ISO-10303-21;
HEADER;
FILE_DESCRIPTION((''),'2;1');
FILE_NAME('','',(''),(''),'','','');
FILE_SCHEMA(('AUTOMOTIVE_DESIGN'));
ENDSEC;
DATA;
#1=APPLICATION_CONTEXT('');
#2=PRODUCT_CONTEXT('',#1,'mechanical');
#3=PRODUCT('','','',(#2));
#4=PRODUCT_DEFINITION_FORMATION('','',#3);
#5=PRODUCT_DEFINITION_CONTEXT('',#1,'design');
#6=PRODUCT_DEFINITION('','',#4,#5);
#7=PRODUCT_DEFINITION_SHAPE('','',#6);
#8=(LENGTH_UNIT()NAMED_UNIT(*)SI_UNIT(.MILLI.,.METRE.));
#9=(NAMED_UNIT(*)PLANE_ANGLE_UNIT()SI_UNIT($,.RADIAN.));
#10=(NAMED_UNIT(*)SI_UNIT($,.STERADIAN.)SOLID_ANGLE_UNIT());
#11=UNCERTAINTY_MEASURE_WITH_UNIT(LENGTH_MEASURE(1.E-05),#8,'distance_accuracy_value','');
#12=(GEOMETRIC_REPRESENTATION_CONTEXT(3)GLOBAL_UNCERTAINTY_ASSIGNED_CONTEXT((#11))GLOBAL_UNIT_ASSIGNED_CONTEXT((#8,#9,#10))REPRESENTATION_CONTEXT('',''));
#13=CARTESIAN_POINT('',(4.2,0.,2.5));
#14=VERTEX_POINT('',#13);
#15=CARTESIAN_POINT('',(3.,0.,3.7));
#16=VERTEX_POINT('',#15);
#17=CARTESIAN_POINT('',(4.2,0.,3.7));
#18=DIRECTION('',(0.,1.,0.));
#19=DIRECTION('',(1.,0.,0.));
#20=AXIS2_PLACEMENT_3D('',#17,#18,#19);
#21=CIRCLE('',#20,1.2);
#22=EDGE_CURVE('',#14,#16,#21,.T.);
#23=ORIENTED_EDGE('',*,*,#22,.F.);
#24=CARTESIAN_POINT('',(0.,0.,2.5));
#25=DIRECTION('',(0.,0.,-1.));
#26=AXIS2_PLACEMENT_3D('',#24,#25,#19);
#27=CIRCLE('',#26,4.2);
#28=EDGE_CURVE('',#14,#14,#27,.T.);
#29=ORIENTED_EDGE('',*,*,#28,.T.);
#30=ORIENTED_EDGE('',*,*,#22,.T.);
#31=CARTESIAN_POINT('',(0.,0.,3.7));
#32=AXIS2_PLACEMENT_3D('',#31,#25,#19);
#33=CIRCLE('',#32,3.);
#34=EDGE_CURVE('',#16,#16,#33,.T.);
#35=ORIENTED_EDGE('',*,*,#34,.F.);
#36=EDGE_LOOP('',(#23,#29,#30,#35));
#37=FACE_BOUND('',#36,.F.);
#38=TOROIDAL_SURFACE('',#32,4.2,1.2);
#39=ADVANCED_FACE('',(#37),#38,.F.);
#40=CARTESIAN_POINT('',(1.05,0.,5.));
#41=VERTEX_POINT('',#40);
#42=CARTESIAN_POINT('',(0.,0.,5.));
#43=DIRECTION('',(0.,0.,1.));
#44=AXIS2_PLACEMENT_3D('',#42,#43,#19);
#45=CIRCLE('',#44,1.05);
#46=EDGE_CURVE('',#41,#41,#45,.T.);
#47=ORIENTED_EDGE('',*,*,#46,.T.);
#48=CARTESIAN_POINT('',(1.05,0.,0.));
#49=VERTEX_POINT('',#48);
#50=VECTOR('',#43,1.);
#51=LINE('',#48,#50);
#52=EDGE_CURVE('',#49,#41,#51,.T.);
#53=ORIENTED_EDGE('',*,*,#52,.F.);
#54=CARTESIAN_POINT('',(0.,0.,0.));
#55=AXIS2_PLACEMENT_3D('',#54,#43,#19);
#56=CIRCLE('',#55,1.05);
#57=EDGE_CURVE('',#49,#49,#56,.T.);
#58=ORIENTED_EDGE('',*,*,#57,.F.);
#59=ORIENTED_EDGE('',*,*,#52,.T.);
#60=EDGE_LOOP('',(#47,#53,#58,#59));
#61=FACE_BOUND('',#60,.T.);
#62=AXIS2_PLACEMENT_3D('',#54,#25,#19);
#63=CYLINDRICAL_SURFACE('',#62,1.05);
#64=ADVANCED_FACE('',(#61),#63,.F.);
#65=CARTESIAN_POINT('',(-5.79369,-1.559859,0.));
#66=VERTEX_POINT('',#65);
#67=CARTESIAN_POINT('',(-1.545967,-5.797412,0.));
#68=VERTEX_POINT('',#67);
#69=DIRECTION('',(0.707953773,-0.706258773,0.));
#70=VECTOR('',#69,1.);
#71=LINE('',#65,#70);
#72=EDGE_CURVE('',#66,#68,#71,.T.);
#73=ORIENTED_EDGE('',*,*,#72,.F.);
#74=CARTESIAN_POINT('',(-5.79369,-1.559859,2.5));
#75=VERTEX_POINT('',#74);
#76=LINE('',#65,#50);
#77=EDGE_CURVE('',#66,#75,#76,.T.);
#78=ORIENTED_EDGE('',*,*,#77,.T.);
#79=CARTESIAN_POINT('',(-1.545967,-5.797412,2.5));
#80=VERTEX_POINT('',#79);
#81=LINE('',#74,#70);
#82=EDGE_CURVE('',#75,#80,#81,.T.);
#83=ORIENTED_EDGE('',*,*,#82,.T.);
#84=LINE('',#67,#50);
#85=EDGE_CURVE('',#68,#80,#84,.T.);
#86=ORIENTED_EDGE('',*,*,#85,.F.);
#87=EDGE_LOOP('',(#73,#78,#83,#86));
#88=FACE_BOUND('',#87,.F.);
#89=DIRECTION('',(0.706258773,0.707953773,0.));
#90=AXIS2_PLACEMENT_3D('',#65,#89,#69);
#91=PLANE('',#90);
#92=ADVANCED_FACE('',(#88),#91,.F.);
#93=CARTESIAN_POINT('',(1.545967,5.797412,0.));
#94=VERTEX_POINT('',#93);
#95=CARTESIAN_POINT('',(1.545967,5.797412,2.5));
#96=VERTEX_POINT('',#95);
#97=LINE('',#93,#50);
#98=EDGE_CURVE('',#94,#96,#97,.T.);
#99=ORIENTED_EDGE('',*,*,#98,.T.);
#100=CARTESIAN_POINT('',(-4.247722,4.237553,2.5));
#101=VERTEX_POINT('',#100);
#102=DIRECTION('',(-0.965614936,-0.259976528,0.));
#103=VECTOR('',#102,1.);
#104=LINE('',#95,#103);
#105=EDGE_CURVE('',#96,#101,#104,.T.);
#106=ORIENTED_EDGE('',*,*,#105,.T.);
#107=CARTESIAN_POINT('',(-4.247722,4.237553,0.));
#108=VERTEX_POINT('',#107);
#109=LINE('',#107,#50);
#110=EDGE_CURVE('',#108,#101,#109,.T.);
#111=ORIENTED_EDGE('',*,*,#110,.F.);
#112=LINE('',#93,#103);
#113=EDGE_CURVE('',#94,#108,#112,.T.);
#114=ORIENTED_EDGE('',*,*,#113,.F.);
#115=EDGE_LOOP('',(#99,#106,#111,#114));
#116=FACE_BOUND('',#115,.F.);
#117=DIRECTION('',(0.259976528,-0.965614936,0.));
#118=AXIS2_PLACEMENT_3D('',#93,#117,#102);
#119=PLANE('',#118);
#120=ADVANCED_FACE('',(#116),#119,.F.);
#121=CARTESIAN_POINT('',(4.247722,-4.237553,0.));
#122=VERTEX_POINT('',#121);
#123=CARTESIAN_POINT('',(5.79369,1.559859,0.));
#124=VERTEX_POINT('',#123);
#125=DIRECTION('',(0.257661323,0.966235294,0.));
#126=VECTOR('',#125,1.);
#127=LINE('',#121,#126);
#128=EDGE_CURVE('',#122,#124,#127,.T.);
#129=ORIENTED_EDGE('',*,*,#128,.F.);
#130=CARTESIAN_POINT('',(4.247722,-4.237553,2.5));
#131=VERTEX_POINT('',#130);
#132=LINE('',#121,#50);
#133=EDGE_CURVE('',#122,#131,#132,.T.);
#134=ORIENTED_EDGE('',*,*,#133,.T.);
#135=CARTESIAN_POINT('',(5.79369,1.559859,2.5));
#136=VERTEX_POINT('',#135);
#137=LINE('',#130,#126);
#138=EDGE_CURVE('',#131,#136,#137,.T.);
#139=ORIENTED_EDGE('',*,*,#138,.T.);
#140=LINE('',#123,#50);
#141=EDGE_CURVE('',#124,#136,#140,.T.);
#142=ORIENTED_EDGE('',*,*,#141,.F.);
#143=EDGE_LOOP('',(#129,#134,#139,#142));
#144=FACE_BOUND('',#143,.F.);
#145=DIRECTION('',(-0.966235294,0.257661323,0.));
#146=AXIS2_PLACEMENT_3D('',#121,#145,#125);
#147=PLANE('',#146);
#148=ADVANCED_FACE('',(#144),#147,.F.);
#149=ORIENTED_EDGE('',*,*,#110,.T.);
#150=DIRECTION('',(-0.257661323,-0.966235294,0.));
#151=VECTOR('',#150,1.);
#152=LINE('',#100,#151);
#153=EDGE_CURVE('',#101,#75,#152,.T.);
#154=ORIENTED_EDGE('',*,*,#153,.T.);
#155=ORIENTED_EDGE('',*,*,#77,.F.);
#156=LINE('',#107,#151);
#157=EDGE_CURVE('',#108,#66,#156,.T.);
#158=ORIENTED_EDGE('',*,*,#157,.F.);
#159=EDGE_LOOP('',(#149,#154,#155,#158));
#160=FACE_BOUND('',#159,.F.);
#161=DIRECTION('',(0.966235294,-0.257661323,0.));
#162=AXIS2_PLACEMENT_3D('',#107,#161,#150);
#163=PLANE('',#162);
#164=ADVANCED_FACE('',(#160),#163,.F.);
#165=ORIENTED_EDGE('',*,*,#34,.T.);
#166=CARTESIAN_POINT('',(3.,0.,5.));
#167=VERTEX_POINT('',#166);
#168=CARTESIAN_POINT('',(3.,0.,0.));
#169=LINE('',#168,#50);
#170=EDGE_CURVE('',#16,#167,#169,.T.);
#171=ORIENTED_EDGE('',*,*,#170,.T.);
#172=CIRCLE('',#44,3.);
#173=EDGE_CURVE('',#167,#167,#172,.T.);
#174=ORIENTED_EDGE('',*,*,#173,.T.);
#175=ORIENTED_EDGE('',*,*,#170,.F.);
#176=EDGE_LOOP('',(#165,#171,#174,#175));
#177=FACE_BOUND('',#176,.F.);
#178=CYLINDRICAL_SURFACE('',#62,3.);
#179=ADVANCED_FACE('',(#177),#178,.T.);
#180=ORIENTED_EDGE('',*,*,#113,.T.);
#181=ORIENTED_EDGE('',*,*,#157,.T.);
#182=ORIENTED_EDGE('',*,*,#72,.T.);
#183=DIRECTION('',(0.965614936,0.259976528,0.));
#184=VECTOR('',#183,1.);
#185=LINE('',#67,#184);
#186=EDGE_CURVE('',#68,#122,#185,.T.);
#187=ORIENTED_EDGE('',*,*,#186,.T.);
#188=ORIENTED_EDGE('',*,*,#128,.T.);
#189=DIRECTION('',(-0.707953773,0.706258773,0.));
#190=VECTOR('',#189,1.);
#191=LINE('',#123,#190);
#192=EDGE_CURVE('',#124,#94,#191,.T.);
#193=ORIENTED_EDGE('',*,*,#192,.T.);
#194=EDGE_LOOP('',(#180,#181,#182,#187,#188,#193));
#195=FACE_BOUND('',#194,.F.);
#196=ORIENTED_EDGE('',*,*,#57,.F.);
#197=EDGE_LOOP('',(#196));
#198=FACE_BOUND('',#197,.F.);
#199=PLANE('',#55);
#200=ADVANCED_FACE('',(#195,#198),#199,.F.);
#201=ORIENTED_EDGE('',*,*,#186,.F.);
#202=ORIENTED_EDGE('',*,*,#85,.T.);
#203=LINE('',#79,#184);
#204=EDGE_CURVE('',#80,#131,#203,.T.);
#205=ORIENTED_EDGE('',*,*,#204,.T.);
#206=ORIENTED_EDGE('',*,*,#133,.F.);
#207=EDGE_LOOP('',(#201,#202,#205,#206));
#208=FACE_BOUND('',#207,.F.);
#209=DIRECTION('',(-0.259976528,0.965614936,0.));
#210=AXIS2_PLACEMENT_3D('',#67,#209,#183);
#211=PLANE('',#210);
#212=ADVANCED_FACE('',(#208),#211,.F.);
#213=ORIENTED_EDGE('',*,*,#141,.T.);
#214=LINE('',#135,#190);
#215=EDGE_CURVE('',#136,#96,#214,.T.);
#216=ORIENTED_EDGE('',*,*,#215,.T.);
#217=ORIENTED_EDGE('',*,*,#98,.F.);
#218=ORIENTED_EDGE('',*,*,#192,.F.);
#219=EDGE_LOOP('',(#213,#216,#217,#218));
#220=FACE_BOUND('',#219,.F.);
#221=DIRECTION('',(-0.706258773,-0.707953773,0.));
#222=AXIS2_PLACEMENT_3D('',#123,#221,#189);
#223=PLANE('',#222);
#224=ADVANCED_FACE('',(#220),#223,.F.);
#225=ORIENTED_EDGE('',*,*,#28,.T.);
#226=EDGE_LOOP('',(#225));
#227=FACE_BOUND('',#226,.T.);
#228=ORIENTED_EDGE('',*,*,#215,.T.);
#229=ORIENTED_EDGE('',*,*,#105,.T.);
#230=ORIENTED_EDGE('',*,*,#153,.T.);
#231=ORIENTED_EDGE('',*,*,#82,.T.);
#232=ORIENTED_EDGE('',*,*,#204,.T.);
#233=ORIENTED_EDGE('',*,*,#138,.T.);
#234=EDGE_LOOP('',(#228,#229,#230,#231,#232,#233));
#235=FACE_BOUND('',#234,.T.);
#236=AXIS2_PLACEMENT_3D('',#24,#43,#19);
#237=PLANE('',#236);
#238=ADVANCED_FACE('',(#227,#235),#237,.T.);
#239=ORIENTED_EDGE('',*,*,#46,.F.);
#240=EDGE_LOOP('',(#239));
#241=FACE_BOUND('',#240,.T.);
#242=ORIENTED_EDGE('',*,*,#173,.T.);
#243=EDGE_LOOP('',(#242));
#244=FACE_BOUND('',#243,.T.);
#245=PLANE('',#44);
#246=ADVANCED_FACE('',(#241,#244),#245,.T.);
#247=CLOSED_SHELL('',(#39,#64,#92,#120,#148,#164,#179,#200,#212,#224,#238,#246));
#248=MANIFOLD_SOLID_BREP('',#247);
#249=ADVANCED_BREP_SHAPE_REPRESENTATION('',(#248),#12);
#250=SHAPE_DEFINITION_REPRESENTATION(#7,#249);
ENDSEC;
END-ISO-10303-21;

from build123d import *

# Parameters (mm, degrees)
F0_R     = 3
F0_R_2   = 1.05
F1_DEPTH = 2.5
F2_DEPTH = 5
F3_R     = 1.2


with BuildPart() as f1:
    # F0 (on Top) → F1 (new body)
    with BuildSketch(Plane.XY):
        Polygon((1.545967, 5.797412), (-4.247722, 4.237553), (-5.79369, -1.559859), (-1.545967, -5.797412), (4.247722, -4.237553), (5.79369, 1.559859), align=None)
        Circle(F0_R, mode=Mode.SUBTRACT)
        Circle(F0_R)
        Circle(F0_R_2, mode=Mode.SUBTRACT)
    extrude(amount=F1_DEPTH)

    # F0 (on Top) → F2 (join)
    with BuildSketch(Plane.XY):
        Circle(F0_R)
        Circle(F0_R_2, mode=Mode.SUBTRACT)
    extrude(amount=F2_DEPTH)

    # F3
    f3_edges = [f1.edges().sort_by_distance(p)[0] for p in [
        (-3, 0, 2.5),
    ]]
    fillet(f3_edges, radius=F3_R)


solid = f1.part
